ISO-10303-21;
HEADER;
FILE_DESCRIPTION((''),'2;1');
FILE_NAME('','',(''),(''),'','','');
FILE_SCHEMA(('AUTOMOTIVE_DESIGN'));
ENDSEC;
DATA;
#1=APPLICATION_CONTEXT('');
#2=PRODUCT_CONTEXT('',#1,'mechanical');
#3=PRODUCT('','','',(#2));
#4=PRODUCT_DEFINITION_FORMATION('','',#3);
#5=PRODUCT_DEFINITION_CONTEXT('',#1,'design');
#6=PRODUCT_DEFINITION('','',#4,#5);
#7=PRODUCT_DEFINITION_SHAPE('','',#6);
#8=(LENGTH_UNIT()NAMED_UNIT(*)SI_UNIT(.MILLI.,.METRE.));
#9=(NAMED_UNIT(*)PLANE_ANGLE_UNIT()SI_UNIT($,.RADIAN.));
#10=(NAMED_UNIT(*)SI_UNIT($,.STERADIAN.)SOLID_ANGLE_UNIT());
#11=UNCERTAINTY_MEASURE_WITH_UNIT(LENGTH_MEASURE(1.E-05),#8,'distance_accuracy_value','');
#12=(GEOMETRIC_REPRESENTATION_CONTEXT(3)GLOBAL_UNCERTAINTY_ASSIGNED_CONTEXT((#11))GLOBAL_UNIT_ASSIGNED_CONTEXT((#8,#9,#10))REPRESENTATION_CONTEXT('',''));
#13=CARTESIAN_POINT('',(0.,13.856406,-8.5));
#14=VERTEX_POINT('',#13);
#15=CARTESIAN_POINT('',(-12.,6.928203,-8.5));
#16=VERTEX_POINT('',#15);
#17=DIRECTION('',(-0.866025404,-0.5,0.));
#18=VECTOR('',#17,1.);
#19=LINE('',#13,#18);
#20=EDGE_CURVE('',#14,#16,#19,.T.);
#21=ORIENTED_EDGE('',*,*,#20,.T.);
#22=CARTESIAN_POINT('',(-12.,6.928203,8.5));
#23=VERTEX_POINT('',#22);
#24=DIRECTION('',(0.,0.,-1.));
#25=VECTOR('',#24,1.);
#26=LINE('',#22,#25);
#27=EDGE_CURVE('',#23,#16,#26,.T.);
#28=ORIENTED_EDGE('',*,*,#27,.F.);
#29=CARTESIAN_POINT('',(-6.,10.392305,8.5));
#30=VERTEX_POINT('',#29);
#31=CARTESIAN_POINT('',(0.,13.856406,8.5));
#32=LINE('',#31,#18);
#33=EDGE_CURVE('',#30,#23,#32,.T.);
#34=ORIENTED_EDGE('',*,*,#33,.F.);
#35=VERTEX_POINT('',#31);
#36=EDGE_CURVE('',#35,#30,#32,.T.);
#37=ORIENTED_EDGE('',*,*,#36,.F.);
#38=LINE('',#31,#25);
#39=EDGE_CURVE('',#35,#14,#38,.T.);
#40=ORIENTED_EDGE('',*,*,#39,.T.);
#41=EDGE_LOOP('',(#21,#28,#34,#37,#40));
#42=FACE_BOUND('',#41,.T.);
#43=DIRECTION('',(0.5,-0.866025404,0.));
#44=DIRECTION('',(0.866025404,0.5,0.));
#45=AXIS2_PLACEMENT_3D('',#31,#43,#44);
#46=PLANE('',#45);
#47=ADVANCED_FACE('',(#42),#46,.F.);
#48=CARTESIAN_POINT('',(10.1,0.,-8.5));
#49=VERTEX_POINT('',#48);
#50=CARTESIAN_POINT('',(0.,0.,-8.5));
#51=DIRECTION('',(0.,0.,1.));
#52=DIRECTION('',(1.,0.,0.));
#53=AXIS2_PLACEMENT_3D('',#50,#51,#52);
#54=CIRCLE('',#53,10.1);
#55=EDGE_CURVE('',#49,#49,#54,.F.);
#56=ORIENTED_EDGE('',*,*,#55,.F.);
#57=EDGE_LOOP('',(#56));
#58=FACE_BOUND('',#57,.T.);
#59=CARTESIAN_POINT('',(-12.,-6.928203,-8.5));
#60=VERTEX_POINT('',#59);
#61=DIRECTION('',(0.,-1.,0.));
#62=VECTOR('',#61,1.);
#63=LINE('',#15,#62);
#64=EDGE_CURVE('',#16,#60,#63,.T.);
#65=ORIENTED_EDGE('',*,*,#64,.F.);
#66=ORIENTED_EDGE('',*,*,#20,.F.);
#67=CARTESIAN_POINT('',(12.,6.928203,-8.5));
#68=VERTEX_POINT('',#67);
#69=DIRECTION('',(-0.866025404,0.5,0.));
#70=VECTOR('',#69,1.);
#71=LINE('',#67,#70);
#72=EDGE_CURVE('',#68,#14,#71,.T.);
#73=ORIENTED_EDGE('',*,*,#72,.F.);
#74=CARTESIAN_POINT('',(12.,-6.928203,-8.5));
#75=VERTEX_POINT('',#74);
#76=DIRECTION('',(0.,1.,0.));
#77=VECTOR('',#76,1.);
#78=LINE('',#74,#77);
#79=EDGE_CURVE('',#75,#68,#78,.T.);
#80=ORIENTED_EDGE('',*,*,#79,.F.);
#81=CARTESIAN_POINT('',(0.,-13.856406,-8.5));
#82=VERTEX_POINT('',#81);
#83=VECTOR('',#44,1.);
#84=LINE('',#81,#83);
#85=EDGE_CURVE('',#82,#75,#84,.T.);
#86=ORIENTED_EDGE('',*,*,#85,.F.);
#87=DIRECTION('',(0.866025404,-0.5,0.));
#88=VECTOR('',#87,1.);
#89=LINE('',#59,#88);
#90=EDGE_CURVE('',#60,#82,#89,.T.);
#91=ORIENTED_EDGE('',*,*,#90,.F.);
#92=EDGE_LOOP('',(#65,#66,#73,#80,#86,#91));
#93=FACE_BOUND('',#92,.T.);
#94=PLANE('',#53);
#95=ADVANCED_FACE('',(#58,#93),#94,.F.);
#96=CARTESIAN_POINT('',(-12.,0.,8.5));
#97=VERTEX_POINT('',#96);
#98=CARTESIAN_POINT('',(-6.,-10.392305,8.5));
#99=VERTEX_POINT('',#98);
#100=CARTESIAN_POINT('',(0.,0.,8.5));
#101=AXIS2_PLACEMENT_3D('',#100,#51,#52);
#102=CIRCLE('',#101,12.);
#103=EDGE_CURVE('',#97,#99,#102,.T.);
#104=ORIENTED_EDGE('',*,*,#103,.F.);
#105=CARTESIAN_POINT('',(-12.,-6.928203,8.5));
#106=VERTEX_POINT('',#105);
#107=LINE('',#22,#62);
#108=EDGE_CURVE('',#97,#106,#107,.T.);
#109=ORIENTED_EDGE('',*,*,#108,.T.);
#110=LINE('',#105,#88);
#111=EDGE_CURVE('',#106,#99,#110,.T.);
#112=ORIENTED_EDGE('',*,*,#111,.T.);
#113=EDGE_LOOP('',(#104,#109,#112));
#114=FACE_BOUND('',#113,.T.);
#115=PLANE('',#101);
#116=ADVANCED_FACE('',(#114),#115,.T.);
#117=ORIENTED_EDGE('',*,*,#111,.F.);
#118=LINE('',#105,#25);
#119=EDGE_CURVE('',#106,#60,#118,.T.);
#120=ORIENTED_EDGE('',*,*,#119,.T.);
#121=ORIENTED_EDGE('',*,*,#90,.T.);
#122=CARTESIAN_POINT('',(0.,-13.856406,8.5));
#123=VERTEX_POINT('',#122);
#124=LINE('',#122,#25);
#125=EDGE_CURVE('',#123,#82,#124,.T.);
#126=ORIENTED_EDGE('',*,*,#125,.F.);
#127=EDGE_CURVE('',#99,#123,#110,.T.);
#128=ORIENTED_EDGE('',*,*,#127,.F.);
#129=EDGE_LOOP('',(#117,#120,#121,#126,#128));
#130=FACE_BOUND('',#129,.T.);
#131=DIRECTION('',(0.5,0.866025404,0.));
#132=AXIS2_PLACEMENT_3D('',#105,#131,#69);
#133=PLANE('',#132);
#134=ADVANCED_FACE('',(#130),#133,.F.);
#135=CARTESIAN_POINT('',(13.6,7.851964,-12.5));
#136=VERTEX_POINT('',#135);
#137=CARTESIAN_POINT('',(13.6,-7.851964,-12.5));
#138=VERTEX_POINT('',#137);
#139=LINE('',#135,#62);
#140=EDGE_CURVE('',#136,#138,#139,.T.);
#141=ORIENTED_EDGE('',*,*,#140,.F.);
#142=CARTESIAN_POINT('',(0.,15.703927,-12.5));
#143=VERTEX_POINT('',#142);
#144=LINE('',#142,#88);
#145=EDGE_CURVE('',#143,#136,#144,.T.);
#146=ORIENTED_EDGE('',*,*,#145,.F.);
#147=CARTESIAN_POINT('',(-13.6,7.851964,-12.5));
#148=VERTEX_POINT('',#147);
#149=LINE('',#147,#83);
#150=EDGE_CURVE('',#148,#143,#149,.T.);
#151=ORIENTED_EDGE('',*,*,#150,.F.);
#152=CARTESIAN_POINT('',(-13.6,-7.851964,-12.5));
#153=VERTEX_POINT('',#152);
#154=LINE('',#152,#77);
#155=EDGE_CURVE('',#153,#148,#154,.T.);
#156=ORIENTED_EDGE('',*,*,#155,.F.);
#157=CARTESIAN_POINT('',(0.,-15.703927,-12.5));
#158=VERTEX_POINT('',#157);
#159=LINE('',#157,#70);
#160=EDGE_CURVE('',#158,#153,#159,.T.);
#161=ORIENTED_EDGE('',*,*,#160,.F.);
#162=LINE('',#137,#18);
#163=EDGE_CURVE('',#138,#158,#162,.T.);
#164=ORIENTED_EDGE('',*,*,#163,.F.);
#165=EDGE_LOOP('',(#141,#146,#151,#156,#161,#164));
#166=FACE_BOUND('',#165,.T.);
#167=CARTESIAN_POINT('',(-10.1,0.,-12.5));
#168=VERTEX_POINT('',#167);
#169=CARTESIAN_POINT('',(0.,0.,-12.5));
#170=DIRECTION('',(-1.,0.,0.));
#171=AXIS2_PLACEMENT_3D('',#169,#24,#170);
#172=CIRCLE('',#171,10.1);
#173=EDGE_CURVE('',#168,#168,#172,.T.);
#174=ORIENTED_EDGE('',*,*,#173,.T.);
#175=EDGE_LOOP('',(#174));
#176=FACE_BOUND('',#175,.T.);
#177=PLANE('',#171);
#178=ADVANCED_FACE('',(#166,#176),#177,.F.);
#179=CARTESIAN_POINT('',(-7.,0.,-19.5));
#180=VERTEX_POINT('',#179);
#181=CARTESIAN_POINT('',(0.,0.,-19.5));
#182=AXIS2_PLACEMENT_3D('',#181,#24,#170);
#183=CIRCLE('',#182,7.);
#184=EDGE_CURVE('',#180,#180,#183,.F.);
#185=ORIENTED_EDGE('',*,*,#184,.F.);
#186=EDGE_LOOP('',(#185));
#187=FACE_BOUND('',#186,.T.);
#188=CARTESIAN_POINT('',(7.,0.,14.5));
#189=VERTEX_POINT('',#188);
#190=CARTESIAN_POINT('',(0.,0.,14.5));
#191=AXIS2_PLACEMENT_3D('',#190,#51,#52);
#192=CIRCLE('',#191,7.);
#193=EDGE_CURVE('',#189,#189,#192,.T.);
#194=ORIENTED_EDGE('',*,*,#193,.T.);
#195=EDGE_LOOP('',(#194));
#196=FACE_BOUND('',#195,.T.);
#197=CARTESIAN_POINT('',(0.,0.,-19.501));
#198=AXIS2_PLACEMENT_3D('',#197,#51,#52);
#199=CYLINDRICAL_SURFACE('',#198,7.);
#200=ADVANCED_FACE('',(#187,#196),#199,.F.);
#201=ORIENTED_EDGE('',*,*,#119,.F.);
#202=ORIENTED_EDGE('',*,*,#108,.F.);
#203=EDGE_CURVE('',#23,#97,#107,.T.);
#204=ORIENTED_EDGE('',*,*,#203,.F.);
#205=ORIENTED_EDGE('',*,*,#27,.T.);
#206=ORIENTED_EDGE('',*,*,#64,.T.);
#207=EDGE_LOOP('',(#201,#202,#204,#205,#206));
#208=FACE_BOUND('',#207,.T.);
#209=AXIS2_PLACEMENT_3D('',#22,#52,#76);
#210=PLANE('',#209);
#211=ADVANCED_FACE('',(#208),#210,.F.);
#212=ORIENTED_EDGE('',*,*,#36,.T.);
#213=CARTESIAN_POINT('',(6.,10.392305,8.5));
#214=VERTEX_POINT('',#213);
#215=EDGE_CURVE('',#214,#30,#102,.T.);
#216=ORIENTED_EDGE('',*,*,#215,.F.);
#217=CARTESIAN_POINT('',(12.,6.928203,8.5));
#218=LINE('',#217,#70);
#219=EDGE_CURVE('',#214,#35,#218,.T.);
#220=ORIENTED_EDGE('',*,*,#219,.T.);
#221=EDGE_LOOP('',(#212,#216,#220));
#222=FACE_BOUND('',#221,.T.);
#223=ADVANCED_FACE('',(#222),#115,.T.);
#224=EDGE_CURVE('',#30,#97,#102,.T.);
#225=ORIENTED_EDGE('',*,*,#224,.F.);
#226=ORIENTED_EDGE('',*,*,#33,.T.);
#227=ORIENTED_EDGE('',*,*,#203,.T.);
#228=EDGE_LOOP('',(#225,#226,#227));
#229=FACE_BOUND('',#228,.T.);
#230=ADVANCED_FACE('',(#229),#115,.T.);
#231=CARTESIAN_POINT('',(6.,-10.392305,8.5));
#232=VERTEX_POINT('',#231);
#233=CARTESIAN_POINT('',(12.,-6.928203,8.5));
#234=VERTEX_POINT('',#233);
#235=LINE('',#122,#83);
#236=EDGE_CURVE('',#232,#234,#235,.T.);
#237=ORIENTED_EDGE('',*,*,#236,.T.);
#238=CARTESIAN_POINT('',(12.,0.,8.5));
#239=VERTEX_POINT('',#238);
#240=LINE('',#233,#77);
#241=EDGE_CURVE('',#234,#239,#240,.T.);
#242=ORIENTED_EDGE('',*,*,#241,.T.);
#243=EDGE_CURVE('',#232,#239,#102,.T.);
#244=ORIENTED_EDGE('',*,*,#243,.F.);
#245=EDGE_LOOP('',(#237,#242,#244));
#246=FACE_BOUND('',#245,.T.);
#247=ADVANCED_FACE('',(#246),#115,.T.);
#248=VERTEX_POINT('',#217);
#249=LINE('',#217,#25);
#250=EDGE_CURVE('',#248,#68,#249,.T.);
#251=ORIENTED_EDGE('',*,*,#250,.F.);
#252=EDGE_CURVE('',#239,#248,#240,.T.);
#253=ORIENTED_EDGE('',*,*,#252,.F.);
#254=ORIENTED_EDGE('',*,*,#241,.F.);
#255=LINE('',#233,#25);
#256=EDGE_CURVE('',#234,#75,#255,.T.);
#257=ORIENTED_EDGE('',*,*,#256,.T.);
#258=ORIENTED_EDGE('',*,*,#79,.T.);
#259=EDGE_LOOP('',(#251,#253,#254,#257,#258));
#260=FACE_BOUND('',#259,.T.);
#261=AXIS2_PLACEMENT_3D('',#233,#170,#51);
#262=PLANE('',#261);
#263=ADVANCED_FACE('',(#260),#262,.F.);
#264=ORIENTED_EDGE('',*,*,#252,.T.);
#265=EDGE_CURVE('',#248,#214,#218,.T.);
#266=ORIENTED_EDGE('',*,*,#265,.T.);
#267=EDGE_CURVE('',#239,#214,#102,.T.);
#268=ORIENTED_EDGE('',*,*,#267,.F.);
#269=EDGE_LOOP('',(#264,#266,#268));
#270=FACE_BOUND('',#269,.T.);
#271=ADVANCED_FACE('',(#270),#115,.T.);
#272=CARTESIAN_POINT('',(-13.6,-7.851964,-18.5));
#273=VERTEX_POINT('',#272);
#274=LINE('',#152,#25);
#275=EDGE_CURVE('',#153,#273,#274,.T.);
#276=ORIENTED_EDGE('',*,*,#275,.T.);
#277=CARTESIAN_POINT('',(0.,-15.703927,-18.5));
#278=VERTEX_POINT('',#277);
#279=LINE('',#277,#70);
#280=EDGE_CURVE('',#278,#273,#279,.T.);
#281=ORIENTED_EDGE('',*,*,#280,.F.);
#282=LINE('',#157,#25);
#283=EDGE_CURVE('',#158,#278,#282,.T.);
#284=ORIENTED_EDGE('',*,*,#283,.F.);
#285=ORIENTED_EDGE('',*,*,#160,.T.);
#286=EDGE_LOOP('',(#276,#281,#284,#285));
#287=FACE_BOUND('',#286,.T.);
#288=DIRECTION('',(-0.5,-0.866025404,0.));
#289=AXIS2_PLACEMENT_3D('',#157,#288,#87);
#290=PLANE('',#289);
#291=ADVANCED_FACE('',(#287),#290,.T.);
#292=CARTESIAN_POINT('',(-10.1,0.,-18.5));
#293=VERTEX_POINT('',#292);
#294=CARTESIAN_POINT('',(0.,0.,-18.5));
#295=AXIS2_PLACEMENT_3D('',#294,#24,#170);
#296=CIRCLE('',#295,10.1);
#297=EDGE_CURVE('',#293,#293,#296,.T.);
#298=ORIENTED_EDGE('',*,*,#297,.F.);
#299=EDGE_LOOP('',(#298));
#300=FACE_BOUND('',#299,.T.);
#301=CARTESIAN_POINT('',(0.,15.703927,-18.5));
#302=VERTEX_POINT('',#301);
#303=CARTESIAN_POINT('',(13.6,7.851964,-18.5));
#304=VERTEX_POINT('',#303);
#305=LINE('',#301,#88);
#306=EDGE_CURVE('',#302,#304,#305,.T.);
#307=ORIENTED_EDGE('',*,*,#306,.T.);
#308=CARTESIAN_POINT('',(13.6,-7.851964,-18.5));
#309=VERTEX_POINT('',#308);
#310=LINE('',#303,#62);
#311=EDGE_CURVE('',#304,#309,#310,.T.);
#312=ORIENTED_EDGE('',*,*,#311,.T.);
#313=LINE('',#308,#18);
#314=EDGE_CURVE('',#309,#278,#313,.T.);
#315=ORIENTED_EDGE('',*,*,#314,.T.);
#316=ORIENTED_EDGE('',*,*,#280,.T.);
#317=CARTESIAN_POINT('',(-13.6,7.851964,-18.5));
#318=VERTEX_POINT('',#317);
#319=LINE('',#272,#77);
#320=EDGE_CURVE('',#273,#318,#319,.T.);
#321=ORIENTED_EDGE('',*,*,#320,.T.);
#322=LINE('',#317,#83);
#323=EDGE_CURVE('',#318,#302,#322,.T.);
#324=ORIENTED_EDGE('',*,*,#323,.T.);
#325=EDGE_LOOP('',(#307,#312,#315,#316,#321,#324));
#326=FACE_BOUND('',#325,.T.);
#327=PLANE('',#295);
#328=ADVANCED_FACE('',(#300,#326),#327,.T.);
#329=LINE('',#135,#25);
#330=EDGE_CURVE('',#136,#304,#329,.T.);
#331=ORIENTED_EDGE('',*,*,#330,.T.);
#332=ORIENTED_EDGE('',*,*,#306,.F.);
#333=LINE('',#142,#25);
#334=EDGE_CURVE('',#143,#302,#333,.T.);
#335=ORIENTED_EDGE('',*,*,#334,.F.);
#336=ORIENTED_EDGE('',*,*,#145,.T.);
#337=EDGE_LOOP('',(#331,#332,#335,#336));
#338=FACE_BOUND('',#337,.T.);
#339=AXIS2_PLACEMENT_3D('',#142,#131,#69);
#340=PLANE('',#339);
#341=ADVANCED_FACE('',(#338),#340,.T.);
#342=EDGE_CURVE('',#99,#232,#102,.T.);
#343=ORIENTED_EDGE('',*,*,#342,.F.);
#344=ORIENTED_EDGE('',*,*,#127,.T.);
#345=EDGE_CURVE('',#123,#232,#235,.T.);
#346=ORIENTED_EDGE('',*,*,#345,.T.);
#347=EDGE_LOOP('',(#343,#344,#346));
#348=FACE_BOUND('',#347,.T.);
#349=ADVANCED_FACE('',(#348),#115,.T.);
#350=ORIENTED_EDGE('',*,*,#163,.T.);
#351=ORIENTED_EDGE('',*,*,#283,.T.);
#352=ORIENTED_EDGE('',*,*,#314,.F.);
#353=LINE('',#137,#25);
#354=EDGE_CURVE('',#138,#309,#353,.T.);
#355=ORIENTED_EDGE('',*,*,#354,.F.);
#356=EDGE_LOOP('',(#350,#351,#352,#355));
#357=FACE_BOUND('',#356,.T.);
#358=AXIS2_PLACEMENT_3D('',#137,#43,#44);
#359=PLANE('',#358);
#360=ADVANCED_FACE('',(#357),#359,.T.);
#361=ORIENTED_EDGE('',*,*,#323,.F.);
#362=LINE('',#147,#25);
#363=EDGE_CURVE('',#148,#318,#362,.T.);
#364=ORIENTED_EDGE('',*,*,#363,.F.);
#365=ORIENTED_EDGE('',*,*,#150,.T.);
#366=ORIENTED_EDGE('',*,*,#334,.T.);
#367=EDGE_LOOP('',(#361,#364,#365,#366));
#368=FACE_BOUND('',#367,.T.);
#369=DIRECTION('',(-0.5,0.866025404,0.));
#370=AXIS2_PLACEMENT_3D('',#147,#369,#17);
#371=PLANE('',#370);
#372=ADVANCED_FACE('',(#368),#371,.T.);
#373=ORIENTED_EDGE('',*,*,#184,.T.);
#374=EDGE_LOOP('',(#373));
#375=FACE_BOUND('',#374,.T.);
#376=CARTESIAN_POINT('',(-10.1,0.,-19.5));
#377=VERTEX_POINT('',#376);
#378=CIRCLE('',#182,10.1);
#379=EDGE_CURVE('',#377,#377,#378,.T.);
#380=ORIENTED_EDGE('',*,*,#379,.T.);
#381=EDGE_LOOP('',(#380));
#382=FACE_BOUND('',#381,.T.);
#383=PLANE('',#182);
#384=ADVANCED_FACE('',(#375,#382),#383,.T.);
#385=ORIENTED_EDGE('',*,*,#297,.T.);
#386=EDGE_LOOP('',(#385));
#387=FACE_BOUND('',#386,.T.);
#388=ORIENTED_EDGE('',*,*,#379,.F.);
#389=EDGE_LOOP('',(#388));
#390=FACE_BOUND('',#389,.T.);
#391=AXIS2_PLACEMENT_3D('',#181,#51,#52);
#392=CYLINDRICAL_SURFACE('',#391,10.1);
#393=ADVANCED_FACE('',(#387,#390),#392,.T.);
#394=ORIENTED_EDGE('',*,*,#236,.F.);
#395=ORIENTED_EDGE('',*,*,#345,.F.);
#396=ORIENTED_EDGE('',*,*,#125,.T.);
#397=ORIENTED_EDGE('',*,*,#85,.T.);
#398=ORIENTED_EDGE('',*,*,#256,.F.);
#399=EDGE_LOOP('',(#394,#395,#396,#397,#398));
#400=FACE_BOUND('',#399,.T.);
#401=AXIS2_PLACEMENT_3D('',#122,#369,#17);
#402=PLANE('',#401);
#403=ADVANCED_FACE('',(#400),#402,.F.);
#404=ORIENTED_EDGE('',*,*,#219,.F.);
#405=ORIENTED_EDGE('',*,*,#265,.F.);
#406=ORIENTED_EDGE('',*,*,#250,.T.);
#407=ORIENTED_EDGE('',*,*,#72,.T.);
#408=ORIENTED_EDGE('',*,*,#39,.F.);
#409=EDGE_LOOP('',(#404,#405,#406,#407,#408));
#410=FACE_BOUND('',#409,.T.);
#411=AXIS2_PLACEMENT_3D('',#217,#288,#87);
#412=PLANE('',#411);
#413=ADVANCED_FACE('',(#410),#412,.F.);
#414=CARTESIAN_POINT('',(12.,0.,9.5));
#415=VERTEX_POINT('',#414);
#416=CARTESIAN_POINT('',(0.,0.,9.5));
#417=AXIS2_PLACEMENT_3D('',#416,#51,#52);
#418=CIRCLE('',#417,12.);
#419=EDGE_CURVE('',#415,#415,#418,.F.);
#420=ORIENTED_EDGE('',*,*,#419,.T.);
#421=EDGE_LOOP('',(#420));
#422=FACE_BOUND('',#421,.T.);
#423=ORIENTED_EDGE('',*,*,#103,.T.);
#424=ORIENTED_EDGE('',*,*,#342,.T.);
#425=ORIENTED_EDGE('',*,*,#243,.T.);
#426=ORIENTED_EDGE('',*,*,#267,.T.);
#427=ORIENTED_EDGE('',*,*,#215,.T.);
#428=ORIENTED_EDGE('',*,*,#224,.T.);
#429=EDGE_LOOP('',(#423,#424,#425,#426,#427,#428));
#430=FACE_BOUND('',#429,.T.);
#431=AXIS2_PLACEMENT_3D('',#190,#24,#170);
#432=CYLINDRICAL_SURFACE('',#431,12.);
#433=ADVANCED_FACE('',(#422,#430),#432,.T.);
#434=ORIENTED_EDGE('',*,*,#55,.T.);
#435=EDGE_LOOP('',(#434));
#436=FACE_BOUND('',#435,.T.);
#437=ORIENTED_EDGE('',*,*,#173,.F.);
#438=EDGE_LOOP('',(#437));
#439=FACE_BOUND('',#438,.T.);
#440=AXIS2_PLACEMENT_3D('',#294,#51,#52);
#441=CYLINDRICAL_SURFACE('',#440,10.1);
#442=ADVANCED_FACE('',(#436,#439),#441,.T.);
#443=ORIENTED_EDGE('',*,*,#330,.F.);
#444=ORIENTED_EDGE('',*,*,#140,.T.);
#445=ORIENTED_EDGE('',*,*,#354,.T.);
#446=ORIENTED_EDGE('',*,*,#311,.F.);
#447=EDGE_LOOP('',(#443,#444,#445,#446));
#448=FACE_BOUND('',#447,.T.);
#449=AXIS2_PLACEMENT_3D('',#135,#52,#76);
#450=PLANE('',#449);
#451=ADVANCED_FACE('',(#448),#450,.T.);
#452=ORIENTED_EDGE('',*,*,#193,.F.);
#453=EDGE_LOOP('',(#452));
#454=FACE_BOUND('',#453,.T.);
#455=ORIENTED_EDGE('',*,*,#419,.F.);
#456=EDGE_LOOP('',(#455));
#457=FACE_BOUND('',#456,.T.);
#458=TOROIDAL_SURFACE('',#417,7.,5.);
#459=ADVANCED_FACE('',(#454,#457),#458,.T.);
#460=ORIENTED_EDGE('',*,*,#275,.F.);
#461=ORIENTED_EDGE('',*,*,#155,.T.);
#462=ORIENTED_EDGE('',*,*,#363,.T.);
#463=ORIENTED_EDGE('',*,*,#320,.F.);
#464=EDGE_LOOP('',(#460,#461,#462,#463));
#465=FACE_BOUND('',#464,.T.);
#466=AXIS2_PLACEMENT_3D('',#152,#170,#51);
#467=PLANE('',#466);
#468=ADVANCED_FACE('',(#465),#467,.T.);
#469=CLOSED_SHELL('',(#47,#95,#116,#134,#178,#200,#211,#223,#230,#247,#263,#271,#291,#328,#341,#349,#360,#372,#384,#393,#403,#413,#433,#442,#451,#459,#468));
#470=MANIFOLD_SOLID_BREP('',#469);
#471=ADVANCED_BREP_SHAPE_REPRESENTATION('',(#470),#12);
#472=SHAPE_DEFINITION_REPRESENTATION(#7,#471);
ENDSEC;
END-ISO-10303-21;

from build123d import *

# Parameters (mm, degrees)
RESSALTO_EXTRUS_O1_DEPTH = 8.5
ESBO_O2_R                = 12
RESSALTO_EXTRUS_O2_DEPTH = 6
FILETE1_R                = 5
ESBO_O3_R                = 10.1
RESSALTO_EXTRUS_O3_DEPTH = 10
RESSALTO_EXTRUS_O4_DEPTH = 6
ESBO_O5_R                = 10.1
RESSALTO_EXTRUS_O5_DEPTH = 1
CORTE_EXTRUS_O1_REACH    = 36
ESBO_O6_R                = 7


with BuildPart() as part:
    # Esboço1 → Ressalto-extrusão1 (new body, symmetric)
    with BuildSketch(Plane.XY):
        Polygon((0, 13.856406461), (-12, 6.92820323), (-12, -6.92820323), (0, -13.856406461), (12, -6.92820323), (12, 6.92820323), align=None)
    extrude(amount=RESSALTO_EXTRUS_O1_DEPTH, both=True)

    # Esboço2 → Ressalto-extrusão2 (add)
    with BuildSketch(Plane.XY.offset(8.5)):
        Circle(ESBO_O2_R)
    extrude(amount=RESSALTO_EXTRUS_O2_DEPTH)

    # Filete1
    filete1_edges = [part.edges().sort_by_distance(p)[0] for p in [
        (-12, 0, 14.5),
    ]]
    fillet(filete1_edges, radius=FILETE1_R)

    # Esboço3 → Ressalto-extrusão3 (add)
    with BuildSketch(Plane(origin=(0, 0, -8.5), x_dir=(-1, 0, 0), z_dir=(0, 0, -1))):
        Circle(ESBO_O3_R)
    extrude(amount=RESSALTO_EXTRUS_O3_DEPTH)

    # Esboço4 → Ressalto-extrusão4 (add)
    with BuildSketch(Plane(origin=(0, 0, -18.5), x_dir=(-1, 0, 0), z_dir=(0, 0, -1))):
        Polygon((0, 15.703927322), (-13.6, 7.851963661), (-13.6, -7.851963661), (0, -15.703927322), (13.6, -7.851963661), (13.6, 7.851963661), align=None)
    extrude(amount=-RESSALTO_EXTRUS_O4_DEPTH)

    # Esboço5 → Ressalto-extrusão5 (add)
    with BuildSketch(Plane(origin=(0, 0, -18.5), x_dir=(-1, 0, 0), z_dir=(0, 0, -1))):
        Circle(ESBO_O5_R)
    extrude(amount=RESSALTO_EXTRUS_O5_DEPTH)

    # Esboço6 → Corte-extrusão1 (cut, up to next)
    with BuildSketch(Plane.XY.offset(14.5), mode=Mode.PRIVATE) as corte_extrus_o1_sk1:
        Circle(ESBO_O6_R)
    corte_extrus_o1_tool1 = extrude(corte_extrus_o1_sk1.sketch, amount=-CORTE_EXTRUS_O1_REACH, mode=Mode.PRIVATE) & part.part
    add(corte_extrus_o1_tool1.solids().sort_by_distance((0, 0, 14.5))[0], mode=Mode.SUBTRACT)


solid = part.part
